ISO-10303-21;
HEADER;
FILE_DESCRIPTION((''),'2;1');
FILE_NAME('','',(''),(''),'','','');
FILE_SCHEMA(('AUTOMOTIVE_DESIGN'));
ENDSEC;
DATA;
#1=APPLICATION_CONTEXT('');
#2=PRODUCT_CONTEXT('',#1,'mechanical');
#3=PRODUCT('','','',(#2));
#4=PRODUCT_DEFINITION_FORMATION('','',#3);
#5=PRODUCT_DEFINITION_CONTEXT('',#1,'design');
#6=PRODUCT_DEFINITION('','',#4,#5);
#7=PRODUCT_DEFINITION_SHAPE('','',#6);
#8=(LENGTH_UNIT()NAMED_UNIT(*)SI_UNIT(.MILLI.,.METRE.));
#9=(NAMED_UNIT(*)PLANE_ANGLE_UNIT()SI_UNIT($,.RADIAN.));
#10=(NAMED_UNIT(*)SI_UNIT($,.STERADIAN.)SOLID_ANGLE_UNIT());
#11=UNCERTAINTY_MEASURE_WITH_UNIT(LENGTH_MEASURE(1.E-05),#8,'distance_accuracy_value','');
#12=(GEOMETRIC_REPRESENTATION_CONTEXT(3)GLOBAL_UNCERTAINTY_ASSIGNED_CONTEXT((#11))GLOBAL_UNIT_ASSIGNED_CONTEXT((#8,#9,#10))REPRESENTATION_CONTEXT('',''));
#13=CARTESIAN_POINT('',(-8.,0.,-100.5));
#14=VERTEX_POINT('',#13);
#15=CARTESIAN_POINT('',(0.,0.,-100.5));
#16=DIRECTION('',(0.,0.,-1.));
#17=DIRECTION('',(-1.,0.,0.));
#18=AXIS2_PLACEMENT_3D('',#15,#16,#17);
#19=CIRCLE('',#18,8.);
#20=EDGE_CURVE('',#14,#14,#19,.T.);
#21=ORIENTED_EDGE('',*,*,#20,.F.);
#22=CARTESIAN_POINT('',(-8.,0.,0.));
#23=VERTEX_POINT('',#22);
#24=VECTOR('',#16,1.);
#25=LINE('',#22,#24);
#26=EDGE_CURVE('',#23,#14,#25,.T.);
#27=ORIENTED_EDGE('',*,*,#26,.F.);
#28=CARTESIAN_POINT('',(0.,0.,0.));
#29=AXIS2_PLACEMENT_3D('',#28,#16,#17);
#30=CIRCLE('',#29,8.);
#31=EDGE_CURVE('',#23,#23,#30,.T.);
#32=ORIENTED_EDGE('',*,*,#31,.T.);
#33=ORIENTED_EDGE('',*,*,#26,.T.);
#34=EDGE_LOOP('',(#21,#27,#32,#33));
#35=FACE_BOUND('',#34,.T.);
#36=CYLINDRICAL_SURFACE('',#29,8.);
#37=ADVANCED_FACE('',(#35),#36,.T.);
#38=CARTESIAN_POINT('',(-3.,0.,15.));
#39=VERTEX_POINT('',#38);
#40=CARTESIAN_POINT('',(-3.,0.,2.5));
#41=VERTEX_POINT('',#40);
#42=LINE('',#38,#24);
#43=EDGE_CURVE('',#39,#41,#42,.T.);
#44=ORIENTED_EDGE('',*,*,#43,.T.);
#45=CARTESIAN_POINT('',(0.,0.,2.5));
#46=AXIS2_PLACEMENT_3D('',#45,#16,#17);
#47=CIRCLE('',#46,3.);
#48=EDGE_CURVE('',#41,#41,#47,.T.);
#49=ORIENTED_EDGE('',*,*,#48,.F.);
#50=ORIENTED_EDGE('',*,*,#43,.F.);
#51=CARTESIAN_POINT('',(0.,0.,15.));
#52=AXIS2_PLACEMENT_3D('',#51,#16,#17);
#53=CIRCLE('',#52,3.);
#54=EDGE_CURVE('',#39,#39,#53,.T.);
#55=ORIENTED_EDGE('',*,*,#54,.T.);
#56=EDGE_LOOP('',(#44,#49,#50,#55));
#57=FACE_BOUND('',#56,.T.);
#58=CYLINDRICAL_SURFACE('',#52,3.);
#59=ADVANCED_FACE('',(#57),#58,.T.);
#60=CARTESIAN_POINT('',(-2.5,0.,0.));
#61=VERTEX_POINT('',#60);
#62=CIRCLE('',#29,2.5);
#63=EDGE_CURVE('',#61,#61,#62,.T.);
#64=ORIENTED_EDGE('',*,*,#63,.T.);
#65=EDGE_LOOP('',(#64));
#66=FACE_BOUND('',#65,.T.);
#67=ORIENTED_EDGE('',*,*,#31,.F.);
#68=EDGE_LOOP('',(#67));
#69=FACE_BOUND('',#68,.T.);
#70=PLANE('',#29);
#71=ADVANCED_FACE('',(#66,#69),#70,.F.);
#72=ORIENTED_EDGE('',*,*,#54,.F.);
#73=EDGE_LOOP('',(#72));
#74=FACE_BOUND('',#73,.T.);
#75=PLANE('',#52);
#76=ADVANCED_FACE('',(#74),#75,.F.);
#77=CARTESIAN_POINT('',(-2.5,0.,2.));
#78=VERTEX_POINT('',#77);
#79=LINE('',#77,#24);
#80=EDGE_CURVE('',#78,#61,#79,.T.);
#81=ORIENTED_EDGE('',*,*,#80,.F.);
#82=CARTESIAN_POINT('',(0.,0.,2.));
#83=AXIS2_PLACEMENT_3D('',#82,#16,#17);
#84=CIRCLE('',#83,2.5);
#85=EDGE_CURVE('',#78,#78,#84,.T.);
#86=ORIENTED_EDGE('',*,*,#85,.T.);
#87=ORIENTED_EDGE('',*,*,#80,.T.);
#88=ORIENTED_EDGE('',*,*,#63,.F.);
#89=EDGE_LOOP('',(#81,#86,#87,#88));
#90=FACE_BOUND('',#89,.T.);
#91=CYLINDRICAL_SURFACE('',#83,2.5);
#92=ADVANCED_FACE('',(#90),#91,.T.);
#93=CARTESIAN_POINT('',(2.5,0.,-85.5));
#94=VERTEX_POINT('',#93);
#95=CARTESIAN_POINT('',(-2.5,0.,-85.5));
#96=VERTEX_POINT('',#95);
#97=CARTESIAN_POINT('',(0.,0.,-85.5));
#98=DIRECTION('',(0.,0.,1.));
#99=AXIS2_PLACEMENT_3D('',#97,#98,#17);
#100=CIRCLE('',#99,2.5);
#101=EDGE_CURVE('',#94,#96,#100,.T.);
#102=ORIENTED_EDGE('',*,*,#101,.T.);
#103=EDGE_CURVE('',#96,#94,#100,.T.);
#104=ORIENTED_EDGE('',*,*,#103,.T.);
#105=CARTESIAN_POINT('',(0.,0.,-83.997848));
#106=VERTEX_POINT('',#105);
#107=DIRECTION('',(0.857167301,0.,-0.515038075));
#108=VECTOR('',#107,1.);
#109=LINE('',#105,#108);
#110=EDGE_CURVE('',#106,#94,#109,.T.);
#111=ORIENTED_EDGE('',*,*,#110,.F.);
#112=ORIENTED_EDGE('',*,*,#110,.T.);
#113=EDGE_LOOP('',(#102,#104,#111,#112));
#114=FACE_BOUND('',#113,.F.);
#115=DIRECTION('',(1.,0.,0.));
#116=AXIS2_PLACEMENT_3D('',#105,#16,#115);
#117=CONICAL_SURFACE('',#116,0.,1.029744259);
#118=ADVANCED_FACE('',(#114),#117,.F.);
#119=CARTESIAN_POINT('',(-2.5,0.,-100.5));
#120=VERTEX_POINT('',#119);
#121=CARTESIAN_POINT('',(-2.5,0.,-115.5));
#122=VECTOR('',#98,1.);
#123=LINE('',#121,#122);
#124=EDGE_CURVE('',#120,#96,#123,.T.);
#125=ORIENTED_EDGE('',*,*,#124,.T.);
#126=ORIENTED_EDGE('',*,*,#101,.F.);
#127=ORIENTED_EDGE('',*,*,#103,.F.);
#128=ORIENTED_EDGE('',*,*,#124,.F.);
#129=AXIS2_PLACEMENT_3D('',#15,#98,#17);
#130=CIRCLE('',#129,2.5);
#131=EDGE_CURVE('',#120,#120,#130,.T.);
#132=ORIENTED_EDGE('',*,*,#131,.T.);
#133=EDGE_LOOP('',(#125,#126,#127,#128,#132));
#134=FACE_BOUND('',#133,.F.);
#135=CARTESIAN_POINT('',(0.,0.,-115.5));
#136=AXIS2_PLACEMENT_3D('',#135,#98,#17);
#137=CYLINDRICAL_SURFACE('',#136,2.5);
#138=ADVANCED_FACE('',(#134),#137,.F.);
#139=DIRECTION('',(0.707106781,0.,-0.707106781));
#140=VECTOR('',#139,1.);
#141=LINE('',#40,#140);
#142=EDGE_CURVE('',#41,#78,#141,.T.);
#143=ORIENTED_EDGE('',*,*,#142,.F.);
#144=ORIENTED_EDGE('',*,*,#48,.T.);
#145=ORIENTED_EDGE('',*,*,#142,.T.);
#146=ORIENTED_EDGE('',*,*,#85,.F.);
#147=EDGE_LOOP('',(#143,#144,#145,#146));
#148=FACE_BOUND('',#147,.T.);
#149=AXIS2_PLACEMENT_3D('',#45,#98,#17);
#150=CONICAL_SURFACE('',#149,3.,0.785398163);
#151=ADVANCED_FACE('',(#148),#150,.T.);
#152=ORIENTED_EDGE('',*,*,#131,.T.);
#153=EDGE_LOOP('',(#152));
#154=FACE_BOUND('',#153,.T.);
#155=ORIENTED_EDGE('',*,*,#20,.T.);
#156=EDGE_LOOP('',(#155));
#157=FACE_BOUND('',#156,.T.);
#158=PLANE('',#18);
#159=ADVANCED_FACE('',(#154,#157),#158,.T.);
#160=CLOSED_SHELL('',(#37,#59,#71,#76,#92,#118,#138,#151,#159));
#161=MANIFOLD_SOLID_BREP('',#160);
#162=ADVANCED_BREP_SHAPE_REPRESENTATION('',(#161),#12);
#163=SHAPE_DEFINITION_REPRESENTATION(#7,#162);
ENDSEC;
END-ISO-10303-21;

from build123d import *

# Parameters (mm, degrees)
F3_D     = 5
F3_DEPTH = 15
F3_TIP   = 1.5021515476


with BuildPart() as f1:
    # F0 (on Front) → F1 (revolve)
    with BuildSketch(Plane.XZ):
        Polygon((0, -100.5), (0, 15), (-3, 15), (-3, 2.5), (-2.5, 2), (-2.5, 0), (-8, 0), (-8, -100.5), align=None)
    revolve(axis=Axis((0, 0, -38.1619408727), (0, 0, -1)))

    # F3
    with Locations(Plane(origin=(0, 0, -100.5), x_dir=(1, 0, 0), z_dir=(0, 0, -1))):
        with Locations((0, 0)):
            Hole(F3_D / 2, depth=F3_DEPTH)
            with Locations((0, 0, -(F3_DEPTH + F3_TIP / 2))):  # 118° drill point
                Cone(0, F3_D / 2, F3_TIP, mode=Mode.SUBTRACT)


solid = f1.part
